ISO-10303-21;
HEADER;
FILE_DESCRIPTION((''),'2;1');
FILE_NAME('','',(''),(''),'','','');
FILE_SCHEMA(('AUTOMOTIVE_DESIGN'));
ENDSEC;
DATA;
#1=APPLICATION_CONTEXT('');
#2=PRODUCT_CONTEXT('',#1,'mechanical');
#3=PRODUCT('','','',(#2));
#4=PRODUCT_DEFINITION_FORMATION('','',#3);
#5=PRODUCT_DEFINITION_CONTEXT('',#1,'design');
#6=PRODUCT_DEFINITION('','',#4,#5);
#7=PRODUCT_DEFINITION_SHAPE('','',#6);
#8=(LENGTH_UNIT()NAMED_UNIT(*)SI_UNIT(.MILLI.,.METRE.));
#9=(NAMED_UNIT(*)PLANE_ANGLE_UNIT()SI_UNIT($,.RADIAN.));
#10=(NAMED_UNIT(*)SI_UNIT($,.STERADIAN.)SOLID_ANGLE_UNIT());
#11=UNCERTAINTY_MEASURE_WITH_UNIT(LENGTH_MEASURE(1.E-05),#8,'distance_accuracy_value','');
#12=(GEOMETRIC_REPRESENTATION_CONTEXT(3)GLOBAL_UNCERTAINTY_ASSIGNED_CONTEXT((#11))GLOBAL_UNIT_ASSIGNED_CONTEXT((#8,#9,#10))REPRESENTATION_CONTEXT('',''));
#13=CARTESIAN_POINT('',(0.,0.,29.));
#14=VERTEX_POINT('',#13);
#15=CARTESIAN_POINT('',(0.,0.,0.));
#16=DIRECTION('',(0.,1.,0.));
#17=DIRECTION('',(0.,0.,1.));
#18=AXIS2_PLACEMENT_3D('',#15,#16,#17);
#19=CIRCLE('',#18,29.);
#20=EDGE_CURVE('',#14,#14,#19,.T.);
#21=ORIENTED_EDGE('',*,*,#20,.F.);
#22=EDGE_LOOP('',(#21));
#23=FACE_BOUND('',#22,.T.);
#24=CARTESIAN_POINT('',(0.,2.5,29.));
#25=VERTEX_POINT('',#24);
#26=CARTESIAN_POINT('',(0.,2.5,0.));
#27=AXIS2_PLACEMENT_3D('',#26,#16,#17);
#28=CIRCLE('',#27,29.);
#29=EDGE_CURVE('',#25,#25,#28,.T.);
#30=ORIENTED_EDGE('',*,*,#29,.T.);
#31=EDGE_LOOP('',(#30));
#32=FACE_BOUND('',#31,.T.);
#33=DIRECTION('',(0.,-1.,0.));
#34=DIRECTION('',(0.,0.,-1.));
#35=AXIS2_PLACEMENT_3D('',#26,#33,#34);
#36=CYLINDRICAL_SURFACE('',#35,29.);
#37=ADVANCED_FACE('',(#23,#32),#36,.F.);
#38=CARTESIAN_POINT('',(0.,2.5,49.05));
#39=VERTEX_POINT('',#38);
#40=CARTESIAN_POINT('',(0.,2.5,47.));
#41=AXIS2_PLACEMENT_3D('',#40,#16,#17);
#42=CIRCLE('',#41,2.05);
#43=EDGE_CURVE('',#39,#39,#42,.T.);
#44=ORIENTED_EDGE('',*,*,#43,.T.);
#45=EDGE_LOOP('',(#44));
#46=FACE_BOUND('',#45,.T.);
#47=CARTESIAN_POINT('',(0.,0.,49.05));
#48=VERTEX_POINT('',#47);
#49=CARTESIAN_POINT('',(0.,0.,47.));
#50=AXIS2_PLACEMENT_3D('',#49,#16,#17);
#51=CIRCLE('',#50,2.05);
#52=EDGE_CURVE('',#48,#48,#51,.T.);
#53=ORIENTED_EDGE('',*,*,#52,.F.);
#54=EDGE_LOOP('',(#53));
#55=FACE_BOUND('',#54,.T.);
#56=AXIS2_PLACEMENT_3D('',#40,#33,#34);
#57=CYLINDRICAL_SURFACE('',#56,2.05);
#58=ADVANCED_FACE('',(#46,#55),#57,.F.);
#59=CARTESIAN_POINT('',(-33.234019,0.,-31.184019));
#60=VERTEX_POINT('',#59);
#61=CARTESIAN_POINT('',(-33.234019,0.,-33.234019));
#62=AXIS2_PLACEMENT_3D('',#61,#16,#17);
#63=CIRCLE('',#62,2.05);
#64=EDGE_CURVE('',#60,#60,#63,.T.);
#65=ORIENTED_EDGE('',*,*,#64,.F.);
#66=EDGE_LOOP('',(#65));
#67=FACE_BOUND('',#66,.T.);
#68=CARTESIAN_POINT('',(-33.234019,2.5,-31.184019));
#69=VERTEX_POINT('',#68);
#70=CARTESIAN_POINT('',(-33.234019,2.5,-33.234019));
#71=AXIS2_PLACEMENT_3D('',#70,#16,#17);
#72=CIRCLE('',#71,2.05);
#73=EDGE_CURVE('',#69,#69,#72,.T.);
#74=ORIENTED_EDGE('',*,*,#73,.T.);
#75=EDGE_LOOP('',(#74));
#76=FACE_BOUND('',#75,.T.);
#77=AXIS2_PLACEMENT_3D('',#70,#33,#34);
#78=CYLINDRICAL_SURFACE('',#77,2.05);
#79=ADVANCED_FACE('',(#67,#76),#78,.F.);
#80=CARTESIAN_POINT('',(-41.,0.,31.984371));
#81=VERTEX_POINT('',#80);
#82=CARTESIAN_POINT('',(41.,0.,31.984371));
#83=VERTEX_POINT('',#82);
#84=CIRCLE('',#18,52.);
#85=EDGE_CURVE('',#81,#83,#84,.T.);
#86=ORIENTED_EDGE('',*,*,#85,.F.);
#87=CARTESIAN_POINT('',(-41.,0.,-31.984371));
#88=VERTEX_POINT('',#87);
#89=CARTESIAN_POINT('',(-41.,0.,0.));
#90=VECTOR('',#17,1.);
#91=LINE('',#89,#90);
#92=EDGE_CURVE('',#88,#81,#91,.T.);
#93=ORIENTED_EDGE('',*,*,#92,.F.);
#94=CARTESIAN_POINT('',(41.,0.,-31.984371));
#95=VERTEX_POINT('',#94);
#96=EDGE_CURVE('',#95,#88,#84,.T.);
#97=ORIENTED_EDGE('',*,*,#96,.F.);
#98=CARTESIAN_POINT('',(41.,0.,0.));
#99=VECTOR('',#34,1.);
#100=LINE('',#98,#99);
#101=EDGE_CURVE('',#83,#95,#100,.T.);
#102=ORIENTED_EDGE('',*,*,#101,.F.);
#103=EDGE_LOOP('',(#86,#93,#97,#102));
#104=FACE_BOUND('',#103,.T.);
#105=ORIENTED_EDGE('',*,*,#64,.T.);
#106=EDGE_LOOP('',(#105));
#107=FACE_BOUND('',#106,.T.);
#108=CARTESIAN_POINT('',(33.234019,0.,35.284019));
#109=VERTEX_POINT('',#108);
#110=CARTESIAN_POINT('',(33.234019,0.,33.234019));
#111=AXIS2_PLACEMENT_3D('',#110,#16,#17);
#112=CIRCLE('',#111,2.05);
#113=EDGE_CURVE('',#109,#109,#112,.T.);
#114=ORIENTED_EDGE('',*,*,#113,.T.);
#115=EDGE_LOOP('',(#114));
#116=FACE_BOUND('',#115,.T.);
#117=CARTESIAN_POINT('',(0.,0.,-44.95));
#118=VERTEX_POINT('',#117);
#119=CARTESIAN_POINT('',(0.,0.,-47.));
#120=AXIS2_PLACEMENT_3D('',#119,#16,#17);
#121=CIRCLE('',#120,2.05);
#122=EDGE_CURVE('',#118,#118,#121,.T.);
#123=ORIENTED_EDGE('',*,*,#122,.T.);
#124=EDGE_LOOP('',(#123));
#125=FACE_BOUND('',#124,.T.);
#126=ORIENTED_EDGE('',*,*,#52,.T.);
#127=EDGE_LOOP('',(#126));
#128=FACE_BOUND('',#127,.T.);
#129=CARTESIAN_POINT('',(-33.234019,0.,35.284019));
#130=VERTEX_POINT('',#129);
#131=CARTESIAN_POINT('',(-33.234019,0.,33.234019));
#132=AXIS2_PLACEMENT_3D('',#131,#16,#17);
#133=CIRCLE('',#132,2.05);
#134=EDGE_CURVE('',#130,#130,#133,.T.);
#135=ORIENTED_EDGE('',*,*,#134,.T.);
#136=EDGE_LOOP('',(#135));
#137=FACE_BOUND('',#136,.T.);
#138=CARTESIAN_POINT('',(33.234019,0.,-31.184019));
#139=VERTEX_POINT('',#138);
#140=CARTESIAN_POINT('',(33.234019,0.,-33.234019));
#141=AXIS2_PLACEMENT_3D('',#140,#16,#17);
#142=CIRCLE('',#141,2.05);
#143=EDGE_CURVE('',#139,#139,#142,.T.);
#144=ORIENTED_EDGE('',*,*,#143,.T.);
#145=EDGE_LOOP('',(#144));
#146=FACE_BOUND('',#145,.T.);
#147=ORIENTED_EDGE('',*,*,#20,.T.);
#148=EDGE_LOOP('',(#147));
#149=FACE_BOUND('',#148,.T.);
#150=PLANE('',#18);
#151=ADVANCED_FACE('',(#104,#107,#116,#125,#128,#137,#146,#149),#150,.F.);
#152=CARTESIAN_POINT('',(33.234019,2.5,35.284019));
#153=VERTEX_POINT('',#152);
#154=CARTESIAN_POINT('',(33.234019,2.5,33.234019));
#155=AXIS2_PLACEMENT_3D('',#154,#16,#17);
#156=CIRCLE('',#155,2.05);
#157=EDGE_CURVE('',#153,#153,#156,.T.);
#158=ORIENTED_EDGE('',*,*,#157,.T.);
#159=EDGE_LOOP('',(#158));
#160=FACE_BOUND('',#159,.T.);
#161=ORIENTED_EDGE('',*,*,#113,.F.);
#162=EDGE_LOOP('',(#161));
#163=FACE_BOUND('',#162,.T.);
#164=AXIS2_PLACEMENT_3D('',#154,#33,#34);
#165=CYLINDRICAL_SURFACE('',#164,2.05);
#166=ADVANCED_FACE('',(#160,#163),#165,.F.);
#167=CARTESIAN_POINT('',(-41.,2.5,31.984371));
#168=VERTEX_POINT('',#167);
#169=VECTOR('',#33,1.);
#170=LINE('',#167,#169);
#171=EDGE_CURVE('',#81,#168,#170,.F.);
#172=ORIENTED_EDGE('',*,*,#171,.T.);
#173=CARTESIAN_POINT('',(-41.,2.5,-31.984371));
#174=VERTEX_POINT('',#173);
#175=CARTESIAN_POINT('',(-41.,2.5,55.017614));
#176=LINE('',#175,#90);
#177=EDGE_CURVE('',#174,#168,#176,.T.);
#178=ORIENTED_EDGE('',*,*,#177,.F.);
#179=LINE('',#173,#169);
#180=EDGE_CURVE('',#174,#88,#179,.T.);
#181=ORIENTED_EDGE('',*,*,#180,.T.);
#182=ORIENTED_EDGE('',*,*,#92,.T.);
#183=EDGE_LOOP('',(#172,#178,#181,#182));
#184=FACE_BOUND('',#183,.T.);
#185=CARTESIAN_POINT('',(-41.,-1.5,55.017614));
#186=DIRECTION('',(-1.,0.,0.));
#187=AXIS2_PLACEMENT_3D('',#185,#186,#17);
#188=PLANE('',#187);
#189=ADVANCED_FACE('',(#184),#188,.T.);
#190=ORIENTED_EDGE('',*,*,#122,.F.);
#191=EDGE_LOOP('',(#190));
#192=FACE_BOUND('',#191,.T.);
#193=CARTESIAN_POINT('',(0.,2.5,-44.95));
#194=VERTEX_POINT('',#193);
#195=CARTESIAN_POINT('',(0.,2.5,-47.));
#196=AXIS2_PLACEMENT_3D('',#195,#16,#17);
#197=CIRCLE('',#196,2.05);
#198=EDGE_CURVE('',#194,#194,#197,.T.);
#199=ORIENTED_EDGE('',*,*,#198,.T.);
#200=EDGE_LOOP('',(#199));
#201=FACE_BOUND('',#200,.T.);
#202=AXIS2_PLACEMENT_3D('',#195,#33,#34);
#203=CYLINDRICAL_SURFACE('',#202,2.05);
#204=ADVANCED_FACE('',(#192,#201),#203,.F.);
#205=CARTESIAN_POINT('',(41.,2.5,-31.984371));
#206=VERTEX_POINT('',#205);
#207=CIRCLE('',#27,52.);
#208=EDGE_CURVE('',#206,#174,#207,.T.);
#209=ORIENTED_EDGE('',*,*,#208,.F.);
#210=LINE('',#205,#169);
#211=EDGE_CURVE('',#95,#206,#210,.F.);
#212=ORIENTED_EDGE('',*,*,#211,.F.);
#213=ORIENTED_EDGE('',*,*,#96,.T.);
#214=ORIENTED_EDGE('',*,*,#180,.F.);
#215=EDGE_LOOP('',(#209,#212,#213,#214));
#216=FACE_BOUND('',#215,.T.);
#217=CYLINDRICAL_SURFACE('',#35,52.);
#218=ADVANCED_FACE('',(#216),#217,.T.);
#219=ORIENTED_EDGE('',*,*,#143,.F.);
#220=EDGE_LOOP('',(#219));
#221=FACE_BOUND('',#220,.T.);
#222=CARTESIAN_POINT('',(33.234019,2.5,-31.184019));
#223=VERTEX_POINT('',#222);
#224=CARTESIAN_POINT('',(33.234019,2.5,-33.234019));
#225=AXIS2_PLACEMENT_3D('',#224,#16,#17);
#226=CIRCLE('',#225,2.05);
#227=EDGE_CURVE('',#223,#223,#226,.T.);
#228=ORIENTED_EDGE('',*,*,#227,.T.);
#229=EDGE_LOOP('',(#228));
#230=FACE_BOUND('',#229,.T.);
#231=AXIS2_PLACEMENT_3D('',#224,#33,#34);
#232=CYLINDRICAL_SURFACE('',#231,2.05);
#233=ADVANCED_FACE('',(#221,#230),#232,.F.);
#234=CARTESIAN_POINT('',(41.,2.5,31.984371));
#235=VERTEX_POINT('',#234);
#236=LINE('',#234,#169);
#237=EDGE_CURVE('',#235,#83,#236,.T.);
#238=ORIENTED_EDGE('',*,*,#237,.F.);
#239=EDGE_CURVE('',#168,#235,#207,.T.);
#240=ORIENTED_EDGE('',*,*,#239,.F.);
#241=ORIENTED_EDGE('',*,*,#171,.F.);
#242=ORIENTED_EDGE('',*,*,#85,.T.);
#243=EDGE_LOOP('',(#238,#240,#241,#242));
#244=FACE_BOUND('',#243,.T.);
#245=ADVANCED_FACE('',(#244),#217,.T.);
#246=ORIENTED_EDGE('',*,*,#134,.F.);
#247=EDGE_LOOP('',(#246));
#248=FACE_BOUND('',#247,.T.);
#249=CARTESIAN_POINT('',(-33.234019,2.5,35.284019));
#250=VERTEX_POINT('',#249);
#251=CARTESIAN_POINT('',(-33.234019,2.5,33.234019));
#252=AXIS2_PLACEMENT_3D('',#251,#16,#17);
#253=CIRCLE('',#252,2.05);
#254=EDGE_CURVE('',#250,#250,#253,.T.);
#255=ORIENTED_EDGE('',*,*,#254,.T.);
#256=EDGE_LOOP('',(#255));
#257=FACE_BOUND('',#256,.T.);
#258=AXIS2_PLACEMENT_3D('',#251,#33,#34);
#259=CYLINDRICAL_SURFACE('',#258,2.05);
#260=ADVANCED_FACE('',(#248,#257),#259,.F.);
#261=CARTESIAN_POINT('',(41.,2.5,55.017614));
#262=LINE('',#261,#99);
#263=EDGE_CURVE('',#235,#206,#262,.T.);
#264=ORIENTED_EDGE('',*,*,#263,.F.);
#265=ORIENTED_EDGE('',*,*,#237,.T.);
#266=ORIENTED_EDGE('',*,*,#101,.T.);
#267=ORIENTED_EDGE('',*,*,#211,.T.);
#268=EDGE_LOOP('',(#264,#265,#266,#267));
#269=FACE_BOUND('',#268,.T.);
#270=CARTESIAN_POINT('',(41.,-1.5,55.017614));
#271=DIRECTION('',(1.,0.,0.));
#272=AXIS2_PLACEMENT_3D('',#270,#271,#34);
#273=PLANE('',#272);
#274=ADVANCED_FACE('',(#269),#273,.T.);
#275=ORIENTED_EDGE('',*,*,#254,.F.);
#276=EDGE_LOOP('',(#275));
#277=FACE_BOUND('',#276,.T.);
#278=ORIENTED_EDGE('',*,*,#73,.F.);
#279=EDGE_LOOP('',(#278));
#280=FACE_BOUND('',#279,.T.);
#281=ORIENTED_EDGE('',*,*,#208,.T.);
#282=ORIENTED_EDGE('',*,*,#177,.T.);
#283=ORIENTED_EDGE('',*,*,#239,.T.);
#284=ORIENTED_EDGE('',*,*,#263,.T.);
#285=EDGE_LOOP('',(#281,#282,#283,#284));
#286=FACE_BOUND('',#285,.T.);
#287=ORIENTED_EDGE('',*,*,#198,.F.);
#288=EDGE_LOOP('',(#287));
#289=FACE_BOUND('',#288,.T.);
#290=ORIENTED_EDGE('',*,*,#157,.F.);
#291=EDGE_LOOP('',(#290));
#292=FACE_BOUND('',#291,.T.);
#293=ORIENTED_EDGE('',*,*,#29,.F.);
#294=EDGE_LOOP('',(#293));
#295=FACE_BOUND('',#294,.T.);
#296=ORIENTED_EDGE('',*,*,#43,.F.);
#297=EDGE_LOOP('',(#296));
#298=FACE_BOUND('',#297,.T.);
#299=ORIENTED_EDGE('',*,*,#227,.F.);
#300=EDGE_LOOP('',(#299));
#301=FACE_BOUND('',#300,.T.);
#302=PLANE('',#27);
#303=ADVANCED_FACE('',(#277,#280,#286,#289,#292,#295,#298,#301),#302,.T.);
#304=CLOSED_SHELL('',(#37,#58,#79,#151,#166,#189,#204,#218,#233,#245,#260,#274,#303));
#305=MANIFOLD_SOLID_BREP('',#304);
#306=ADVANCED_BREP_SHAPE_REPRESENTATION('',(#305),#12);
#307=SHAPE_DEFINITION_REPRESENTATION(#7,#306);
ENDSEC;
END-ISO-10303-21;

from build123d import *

# Parameters (mm, degrees)
SKETCH_1_R          = 52
SKETCH_1_R_2        = 29
SKETCH_1_R_3        = 2.05
EXTRUDE_1_DEPTH     = 2.5
SKETCH_2_W          = 182
SKETCH_2_H          = 210.035227354
SKETCH_2_W_2        = 82
SKETCH_2_H_2        = 110.035227354
CUT_EXTRUDE_1_DEPTH = 4


with BuildPart() as part:
    # 草图1 → 凸台-拉伸1 (new body)
    with BuildSketch(Plane(origin=(0, 0, 0), x_dir=(1, 0, 0), z_dir=(0, 1, 0))):
        with Locations(Location((0, 0, 0), (0, 0, 270))):
            Circle(SKETCH_1_R)
        with Locations(Location((0, 0, 0), (0, 0, 270))):
            Circle(SKETCH_1_R_2, mode=Mode.SUBTRACT)
        with Locations(Location((47, 0, 0), (0, 0, 270))):
            Circle(SKETCH_1_R_3, mode=Mode.SUBTRACT)
        with Locations(Location((33.234018716, -33.234018716, 0), (0, 0, 270))):
            Circle(SKETCH_1_R_3, mode=Mode.SUBTRACT)
        with Locations(Location((0, -47, 0), (0, 0, 270))):
            Circle(SKETCH_1_R_3, mode=Mode.SUBTRACT)
        with Locations(Location((-33.234018716, -33.234018716, 0), (0, 0, 270))):
            Circle(SKETCH_1_R_3, mode=Mode.SUBTRACT)
        with Locations(Location((-47, 0, 0), (0, 0, 270))):
            Circle(SKETCH_1_R_3, mode=Mode.SUBTRACT)
        with Locations(Location((-33.234018716, 33.234018716, 0), (0, 0, 270))):
            Circle(SKETCH_1_R_3, mode=Mode.SUBTRACT)
        with Locations(Location((0, 47, 0), (0, 0, 270))):
            Circle(SKETCH_1_R_3, mode=Mode.SUBTRACT)
        with Locations(Location((33.234018716, 33.234018716, 0), (0, 0, 270))):
            Circle(SKETCH_1_R_3, mode=Mode.SUBTRACT)
    extrude(amount=EXTRUDE_1_DEPTH)

    # 草图2 → 切除-拉伸-薄壁1 (cut)
    with BuildSketch(Plane(origin=(0, 2.5, 0), x_dir=(1, 0, 0), z_dir=(0, 1, 0))):
        Rectangle(SKETCH_2_W, SKETCH_2_H)
        Rectangle(SKETCH_2_W_2, SKETCH_2_H_2, mode=Mode.SUBTRACT)
    extrude(amount=-CUT_EXTRUDE_1_DEPTH, mode=Mode.SUBTRACT)


solid = part.part
